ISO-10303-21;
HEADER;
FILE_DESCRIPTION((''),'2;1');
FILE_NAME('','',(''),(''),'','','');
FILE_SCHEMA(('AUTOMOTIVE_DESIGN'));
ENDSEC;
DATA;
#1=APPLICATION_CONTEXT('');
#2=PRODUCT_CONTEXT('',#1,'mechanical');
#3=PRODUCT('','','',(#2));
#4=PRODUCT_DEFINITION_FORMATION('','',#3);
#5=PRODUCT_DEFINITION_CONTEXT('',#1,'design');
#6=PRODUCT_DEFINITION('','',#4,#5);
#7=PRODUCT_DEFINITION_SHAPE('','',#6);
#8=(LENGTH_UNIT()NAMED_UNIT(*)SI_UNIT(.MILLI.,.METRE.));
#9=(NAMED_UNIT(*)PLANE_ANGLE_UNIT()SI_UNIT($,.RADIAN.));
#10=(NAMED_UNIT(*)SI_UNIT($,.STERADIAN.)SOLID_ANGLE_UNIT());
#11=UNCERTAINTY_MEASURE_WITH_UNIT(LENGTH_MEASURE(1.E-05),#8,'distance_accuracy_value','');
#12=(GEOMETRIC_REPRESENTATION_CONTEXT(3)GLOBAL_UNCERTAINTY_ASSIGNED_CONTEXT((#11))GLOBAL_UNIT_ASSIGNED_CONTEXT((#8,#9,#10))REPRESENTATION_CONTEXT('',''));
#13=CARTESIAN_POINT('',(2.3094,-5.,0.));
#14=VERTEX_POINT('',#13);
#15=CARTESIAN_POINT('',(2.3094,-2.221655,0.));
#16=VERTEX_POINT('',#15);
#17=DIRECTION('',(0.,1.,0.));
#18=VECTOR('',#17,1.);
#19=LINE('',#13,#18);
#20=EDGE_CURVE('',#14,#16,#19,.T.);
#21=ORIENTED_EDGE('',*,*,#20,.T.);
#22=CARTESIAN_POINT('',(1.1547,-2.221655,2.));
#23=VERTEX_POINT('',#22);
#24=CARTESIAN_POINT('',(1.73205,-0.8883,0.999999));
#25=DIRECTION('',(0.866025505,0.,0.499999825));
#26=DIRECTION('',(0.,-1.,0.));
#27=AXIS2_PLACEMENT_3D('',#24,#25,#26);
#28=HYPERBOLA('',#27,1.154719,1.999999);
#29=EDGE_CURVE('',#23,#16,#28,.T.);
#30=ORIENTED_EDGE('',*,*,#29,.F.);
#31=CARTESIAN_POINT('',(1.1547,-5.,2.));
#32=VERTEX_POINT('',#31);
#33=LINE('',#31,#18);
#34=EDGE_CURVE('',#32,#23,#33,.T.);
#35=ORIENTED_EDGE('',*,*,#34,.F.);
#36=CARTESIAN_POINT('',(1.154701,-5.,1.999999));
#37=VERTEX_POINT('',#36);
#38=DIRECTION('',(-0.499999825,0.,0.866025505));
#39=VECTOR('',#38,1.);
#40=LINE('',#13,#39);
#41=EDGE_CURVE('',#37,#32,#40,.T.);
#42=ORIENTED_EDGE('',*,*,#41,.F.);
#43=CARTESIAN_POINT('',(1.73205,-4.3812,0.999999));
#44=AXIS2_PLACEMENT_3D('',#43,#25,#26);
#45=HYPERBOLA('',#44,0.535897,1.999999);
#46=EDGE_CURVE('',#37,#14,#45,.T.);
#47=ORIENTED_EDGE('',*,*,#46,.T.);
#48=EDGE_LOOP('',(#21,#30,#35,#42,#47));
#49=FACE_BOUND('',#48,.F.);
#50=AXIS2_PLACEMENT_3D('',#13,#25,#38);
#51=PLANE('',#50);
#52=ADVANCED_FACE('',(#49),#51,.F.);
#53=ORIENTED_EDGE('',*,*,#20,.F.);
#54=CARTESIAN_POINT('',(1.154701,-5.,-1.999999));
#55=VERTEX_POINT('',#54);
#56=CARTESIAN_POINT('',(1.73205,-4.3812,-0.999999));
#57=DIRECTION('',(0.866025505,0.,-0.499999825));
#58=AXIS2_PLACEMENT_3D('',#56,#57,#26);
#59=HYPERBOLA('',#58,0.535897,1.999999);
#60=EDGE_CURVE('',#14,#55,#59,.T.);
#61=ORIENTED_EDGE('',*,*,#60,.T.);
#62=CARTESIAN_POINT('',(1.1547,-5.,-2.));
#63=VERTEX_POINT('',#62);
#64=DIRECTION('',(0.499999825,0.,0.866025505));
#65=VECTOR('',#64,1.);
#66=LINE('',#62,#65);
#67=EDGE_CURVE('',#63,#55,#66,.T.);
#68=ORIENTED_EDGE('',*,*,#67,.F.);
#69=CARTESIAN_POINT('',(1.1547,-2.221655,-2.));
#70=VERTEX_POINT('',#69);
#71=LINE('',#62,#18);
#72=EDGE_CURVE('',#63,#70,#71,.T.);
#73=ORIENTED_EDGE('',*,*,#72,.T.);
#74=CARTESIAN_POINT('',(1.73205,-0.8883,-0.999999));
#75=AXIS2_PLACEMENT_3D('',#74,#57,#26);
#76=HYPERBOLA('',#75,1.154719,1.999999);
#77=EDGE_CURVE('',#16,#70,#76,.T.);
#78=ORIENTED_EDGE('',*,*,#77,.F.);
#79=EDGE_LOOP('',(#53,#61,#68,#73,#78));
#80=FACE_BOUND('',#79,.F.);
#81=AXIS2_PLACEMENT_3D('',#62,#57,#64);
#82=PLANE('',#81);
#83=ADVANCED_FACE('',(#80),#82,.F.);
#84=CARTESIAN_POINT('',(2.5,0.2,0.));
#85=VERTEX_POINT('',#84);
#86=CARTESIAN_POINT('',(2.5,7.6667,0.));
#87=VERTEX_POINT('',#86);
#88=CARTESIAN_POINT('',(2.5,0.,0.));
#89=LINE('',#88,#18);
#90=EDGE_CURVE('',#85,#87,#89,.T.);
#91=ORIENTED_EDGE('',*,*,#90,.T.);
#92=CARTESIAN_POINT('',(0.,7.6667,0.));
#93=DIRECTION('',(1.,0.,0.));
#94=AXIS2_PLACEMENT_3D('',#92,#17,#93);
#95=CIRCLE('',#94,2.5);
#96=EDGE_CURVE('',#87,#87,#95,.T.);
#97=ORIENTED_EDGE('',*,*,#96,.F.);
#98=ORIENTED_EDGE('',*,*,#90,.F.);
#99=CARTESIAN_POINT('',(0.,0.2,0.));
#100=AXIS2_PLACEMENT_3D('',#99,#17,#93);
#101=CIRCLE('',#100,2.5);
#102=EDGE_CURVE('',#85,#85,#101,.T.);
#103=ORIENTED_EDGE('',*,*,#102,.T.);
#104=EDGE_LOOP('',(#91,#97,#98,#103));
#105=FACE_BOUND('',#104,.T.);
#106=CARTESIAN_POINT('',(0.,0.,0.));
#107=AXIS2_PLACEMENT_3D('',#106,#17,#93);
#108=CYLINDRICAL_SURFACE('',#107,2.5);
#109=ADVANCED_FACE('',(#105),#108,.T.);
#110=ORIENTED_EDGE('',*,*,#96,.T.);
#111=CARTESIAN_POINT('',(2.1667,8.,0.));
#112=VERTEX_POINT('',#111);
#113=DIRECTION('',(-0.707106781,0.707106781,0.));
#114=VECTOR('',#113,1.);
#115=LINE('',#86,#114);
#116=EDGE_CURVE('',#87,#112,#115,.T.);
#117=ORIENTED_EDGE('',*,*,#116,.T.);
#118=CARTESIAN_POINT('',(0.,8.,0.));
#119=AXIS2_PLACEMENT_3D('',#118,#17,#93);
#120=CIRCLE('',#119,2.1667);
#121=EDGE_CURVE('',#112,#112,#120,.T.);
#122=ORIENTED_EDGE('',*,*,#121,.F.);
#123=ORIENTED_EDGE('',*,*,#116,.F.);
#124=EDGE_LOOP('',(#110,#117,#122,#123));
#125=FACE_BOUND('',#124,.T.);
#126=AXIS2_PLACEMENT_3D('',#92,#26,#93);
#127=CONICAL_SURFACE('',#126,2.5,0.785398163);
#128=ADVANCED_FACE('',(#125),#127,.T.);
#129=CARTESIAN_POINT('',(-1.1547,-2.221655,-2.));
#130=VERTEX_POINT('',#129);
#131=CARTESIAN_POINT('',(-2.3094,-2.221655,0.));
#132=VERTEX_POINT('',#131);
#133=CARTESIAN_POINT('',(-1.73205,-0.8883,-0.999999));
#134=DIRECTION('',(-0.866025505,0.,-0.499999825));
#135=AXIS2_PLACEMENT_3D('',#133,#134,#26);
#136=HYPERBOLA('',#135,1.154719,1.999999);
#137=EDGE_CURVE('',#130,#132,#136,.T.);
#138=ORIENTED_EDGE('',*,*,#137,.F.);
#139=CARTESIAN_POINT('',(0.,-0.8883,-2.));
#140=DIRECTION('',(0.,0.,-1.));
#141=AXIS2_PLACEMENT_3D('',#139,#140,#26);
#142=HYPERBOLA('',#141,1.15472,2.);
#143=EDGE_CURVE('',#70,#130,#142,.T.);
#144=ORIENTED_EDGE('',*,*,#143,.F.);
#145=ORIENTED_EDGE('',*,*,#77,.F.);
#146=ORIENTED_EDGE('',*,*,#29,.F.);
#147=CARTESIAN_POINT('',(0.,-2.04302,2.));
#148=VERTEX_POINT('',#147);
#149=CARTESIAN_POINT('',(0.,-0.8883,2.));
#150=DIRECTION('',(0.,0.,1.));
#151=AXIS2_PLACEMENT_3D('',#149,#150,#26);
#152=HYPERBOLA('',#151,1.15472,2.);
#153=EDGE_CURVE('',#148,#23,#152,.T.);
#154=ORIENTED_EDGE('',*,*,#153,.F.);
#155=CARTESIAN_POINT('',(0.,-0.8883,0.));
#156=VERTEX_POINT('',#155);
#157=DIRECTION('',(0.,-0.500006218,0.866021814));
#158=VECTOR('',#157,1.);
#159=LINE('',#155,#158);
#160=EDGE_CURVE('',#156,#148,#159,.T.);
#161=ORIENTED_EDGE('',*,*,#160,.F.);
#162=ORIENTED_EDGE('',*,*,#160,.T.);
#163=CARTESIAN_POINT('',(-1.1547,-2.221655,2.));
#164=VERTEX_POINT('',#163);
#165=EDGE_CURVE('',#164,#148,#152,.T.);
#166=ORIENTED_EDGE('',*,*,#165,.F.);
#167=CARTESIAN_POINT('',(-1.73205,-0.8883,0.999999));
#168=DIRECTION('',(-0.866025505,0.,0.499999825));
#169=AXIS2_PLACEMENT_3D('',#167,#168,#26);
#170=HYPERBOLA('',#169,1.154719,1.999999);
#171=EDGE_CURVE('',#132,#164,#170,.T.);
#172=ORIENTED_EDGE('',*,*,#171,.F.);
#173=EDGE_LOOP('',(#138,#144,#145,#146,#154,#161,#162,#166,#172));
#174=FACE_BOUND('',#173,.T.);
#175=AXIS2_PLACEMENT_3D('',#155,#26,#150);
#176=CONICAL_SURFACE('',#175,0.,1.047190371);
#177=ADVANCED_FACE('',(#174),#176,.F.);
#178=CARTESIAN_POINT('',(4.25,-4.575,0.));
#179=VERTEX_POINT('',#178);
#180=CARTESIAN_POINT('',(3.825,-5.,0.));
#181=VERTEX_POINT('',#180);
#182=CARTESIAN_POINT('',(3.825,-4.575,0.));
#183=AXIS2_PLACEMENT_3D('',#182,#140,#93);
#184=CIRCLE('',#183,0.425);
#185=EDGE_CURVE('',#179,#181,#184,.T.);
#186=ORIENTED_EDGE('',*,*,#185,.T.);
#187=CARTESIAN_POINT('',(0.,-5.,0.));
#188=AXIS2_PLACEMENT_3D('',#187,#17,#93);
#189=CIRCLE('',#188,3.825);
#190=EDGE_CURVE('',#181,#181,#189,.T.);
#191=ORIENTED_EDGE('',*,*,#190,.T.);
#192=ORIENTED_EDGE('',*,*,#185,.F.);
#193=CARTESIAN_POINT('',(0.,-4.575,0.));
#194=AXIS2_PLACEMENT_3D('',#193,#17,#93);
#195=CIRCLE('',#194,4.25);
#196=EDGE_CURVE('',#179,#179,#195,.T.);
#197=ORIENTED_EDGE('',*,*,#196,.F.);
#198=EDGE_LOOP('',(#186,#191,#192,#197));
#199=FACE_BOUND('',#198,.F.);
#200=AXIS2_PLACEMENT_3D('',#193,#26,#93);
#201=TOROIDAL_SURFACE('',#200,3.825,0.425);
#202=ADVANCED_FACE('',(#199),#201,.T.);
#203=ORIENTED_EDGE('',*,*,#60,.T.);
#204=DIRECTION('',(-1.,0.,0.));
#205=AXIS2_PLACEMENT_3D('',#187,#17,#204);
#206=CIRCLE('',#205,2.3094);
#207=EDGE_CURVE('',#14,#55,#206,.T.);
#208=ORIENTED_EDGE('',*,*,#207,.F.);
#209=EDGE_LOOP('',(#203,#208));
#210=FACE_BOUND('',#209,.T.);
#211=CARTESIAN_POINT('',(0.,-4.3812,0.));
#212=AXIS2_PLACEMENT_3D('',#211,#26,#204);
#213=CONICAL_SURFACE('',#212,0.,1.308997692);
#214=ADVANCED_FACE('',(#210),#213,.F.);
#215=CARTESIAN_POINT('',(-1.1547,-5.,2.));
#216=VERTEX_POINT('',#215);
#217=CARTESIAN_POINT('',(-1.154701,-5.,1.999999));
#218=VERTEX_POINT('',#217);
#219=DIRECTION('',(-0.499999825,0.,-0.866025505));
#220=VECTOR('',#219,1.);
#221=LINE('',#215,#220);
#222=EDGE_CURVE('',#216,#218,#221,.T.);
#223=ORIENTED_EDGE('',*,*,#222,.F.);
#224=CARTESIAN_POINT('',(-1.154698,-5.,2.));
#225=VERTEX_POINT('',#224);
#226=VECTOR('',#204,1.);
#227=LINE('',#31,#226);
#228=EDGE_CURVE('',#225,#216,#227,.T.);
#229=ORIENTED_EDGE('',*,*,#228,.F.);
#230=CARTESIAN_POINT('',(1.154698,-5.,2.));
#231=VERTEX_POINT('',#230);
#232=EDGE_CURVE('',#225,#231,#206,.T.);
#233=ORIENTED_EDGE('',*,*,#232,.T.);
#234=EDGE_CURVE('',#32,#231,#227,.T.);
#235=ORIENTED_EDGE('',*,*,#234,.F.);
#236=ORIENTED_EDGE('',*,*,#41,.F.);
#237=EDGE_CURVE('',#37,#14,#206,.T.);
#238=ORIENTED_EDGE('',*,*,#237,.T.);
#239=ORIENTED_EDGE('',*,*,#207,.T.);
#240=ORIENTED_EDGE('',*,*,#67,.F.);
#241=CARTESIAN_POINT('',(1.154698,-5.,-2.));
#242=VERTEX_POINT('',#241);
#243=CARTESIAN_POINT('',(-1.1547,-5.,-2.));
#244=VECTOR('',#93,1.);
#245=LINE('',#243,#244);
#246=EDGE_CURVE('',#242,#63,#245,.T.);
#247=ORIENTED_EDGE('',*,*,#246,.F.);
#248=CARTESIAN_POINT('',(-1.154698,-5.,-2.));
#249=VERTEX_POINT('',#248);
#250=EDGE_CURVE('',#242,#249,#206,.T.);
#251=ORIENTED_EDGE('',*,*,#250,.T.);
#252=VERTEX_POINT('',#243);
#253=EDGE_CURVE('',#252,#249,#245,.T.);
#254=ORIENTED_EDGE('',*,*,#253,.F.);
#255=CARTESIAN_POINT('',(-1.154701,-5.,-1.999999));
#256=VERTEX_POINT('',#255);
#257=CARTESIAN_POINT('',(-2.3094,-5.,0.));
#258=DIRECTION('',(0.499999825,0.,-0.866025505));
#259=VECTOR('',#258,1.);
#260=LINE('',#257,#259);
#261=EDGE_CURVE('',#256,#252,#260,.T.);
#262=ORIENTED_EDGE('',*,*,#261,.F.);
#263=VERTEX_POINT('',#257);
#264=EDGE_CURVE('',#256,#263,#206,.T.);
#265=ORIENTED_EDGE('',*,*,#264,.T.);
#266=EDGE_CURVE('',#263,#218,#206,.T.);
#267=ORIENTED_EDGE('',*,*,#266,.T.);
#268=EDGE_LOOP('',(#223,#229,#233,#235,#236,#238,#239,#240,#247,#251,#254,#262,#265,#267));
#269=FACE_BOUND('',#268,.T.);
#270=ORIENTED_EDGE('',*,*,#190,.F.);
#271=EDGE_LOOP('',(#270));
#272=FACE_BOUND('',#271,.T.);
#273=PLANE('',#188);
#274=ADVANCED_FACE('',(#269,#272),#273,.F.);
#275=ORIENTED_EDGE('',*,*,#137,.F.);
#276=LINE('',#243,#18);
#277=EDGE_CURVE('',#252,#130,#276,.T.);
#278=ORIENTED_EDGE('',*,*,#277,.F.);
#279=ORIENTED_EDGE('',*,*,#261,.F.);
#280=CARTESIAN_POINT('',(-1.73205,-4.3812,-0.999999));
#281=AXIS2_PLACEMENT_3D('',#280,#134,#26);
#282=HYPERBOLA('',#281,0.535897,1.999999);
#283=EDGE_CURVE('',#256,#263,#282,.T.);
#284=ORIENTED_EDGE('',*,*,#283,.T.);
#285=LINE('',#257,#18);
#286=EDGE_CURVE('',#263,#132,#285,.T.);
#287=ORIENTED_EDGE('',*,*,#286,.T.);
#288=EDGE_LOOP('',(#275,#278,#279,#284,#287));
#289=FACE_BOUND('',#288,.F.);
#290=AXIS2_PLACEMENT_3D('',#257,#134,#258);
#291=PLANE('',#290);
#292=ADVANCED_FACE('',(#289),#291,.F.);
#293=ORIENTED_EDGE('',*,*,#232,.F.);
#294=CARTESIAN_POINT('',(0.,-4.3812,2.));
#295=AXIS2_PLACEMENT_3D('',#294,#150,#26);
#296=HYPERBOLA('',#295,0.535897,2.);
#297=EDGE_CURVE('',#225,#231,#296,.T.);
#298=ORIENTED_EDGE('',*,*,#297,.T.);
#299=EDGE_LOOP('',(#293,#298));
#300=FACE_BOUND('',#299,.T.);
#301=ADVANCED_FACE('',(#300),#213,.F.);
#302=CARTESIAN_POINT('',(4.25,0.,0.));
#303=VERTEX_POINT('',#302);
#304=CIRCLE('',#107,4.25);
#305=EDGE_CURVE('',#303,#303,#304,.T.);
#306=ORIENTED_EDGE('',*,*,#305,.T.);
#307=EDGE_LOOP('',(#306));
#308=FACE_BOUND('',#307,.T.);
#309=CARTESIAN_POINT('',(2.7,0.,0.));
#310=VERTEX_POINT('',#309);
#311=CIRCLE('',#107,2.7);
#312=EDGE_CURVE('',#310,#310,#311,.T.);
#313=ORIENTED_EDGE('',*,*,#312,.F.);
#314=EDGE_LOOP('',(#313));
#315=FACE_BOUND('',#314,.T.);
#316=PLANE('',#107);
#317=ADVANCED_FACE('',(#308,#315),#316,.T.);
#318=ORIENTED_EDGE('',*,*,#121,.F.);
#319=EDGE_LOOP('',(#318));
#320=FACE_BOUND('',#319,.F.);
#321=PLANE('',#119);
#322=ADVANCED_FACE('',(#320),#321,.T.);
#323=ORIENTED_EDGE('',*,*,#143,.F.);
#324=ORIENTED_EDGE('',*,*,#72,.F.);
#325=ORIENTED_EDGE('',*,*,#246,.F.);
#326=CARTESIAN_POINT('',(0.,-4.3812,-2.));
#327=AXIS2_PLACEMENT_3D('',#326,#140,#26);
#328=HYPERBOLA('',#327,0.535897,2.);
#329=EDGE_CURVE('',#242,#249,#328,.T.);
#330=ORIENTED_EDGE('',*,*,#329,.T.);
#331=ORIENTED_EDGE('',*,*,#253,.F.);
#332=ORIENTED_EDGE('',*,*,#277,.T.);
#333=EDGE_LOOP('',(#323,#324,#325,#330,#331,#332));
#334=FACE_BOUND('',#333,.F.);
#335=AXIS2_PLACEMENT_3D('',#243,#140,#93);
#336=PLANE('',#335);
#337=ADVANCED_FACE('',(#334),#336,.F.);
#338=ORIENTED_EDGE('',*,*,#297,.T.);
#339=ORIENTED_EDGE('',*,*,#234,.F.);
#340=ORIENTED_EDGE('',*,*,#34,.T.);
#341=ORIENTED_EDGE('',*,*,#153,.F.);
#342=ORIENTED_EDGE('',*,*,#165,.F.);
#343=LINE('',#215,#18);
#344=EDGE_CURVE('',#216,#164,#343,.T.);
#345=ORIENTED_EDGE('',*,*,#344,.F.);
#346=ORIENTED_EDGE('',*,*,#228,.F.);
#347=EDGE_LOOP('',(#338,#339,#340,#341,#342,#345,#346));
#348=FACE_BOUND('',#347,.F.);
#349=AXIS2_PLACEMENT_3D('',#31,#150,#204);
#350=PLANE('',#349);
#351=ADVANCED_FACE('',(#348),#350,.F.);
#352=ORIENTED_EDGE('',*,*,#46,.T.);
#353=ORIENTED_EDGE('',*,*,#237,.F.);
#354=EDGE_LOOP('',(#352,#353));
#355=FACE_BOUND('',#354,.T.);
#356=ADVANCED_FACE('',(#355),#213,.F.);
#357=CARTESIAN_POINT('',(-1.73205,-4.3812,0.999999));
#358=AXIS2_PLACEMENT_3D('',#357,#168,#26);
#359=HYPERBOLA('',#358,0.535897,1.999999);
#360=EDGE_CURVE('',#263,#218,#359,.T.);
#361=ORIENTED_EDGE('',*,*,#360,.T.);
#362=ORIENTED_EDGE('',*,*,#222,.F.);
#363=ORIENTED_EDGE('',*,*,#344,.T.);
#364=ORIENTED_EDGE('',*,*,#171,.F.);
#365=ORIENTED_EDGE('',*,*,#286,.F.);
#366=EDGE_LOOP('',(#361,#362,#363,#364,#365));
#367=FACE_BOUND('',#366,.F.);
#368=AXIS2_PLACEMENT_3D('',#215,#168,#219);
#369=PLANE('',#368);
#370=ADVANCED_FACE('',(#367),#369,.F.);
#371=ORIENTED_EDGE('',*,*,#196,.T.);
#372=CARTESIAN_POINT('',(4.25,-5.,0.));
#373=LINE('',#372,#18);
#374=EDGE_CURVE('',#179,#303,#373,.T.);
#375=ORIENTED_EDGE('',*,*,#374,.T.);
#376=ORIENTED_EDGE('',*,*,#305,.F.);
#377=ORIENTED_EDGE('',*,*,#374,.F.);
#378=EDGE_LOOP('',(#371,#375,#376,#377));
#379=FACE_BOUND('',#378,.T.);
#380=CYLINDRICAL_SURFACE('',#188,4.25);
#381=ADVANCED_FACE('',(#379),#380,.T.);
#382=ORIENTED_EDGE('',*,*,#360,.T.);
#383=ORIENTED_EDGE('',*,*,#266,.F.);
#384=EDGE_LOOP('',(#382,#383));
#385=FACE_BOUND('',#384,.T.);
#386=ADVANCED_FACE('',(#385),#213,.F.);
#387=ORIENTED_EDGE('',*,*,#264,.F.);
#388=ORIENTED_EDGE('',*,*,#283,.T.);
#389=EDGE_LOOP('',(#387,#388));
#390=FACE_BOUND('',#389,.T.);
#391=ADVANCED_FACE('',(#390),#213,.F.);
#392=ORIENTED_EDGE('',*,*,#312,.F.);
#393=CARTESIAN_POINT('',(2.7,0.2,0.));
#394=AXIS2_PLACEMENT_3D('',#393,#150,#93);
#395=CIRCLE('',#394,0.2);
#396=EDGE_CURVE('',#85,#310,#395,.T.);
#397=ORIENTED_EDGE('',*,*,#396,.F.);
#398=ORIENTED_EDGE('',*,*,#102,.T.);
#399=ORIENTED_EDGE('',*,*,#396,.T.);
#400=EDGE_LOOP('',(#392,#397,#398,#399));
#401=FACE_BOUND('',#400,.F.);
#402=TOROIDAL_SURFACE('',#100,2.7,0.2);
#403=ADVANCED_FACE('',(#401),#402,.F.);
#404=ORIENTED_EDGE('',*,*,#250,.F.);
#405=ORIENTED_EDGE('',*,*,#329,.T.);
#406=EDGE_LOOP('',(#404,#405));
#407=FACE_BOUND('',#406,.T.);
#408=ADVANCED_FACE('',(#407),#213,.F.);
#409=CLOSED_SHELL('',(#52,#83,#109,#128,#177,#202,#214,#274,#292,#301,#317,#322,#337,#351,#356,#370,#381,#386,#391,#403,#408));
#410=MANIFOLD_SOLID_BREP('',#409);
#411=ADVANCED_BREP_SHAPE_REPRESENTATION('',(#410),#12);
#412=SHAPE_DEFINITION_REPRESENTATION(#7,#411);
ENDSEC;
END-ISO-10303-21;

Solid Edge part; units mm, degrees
sketch "Sketch1" plane through (0, 0, 0) normal (0, 0, 1) x (1, 0, 0)
  line L0 (2.5, 0) -> (2.5, 8)
  line L1 (0, 8) -> (2.5, 8)
  line L2 (0, 0) -> (0, 8)
  line L3 (0, 0) -> (0, -5)
  line L4 (0, -5) -> (4.25, -5)
  line L5 (4.25, -5) -> (4.25, 0)
  line L6 (4.25, 0) -> (2.5, 0)
revolve "RevolvedProtrusion1" add sketch "Sketch1" angle 360 about axis through (0, 0, 0) along (0, 1, 0)
sketch "Sketch2" plane through (0, 0, 0) normal (1, 0, 0) x (0, 1, 0)
  line L0 (-5, 2.7915) -> (-2.5, 2.7915)
  line L1 (-0.8883, 0) -> (-2.5, 2.7915)
  line L2 (-5, 0) -> (-0.8883, 0)
  line L3 (-5, 0) -> (-5, 2.7915)
revolve "RevolvedCutout1" cut sketch "Sketch2" angle 360 about axis through (0, -4.5, 0) along (0, 1, 0)
sketch "Sketch3" plane through (0, -5, 0) normal (0, -1, 0) x (0, 0, 1)
  circle A0 centre (0, 0) radius 2.7915
  line L0 (-2, -1.1547) -> (0, -2.3094)
  line L1 (0, -2.3094) -> (2, -1.1547)
  line L2 (2, -1.1547) -> (2, 1.1547)
  line L3 (2, 1.1547) -> (0, 2.3094)
  line L4 (0, 2.3094) -> (-2, 1.1547)
  line L5 (-2, 1.1547) -> (-2, -1.1547)
  dimension "D1" = 4
extrude "Protrusion1" add sketch "Sketch3" against normal up to next
sketch "Sketch4" plane through (0, 0, 0) normal (0, 0, 1) x (1, 0, 0)
  line L0 (-2.3094, -5) -> (0, -5)
  line L1 (0, -5) -> (0, -4.3812)
  line L2 (0, -4.3812) -> (-2.3094, -5)
revolve "RevolvedCutout2" cut sketch "Sketch4" angle 360 about axis through (0, -4.5, 0) along (0, 1, 0)
fillet "Round1" radius 0.2 1 edges at (0, 0, -2.5)
fillet "Round2" radius 0.425 1 edges at (0, -5, -4.25)
chamfer "倒斜角_2" distance 0.3333 angle 45 1 edges at (0, 8, -2.5)
cosmetic_thread "螺纹_3" size "M5" thread depth 6.4
